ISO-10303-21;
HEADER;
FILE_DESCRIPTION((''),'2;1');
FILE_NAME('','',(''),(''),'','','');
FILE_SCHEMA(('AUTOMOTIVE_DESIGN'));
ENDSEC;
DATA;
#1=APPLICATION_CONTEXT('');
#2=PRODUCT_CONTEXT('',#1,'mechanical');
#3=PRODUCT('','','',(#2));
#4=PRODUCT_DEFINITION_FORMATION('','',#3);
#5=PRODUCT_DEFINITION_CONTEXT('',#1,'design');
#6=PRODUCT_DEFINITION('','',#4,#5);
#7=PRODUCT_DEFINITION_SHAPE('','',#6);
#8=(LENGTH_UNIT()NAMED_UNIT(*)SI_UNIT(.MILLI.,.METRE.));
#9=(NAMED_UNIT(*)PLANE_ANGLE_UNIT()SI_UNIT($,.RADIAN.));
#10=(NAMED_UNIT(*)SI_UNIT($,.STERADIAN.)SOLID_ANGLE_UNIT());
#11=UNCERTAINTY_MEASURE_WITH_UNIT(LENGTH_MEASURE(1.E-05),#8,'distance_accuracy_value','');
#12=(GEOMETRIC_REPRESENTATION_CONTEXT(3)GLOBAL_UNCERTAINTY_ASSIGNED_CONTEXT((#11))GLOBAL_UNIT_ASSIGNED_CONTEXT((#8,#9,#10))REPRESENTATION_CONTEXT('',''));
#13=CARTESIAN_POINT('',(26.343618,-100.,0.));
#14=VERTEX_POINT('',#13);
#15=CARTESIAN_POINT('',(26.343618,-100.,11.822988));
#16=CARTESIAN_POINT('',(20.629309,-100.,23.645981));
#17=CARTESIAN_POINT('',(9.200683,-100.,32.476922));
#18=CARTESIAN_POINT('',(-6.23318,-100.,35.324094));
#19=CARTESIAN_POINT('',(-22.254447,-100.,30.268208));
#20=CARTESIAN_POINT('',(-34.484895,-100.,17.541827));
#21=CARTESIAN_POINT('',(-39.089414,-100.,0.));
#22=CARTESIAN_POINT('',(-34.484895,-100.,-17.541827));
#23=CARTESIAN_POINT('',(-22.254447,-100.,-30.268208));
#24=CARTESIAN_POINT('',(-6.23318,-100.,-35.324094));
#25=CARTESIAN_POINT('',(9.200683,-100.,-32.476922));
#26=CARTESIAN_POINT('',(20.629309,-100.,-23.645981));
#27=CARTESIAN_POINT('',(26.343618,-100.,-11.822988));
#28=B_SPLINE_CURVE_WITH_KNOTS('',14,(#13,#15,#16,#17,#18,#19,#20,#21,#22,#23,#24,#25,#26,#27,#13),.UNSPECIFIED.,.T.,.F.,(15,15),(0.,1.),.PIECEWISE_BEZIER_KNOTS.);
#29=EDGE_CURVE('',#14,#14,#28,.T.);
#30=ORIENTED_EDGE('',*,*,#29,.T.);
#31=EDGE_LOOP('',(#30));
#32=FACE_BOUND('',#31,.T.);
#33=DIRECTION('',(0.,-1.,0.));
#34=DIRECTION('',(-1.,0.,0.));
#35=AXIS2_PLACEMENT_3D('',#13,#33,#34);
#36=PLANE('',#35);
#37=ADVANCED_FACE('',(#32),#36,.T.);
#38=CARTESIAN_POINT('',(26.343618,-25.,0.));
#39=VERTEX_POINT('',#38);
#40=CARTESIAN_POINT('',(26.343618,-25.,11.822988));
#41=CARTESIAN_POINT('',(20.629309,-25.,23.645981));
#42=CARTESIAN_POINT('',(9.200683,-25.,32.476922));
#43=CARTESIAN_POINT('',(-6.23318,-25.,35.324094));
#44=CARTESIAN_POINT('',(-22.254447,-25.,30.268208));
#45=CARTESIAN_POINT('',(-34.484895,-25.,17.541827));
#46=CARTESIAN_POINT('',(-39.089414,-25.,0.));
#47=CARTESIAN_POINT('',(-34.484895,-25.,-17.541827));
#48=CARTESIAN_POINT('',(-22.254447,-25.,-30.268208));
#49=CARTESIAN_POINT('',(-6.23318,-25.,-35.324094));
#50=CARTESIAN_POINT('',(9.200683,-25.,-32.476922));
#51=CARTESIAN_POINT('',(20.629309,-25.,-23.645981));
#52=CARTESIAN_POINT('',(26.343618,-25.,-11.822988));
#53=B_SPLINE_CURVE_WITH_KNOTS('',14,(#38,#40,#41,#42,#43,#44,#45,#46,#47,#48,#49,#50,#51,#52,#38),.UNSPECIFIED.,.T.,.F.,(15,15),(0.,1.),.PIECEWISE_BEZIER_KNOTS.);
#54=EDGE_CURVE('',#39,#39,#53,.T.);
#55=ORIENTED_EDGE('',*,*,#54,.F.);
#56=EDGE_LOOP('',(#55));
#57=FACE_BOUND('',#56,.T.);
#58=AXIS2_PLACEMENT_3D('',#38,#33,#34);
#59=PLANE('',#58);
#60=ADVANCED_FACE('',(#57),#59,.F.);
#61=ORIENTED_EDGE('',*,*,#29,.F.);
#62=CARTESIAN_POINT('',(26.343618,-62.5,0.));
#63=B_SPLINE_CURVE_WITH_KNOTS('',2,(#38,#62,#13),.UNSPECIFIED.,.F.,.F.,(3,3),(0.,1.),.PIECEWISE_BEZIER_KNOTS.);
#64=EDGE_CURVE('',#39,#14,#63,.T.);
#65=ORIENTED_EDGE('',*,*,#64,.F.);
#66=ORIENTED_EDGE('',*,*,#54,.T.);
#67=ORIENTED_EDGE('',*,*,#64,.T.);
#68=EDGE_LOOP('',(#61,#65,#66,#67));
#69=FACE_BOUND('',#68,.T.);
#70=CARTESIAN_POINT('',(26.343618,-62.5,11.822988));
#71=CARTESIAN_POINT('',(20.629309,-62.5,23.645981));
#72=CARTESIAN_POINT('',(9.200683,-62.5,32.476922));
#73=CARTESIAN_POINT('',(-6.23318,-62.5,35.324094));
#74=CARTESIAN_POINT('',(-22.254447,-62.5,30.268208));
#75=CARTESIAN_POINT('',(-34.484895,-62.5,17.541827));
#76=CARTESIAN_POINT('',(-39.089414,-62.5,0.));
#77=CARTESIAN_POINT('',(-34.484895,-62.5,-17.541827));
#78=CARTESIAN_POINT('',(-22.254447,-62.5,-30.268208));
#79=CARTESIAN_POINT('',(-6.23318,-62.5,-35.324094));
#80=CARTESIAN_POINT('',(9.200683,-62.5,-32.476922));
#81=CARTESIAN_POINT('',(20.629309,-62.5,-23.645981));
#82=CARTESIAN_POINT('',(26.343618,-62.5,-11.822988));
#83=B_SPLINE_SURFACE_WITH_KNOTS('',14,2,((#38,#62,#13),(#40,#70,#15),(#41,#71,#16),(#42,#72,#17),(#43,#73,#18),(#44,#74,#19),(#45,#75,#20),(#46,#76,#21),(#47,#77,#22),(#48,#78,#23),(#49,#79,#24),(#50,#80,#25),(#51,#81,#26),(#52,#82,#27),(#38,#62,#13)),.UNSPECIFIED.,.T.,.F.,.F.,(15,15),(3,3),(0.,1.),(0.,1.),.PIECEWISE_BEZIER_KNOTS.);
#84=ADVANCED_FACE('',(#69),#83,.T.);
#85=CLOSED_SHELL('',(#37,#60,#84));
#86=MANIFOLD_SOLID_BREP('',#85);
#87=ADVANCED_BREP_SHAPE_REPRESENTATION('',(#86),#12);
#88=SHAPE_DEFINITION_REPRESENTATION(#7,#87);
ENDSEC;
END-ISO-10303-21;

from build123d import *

# Parameters (mm, degrees)
F9_R = 26.343618
F8_R = 26.343618
F7_R = 26.343618
F6_R = 26.343618


with BuildPart() as f10:
    # F9 (on offset) → F10 section 0
    with BuildSketch(Plane.XZ.offset(25)):
        Circle(F9_R)
    # F8 (on offset) → F10 section 1
    with BuildSketch(Plane.XZ.offset(50)):
        Circle(F8_R)
    # F7 (on offset) → F10 section 2
    with BuildSketch(Plane.XZ.offset(75)):
        Circle(F7_R)
    # F6 (on offset) → F10 section 3
    with BuildSketch(Plane.XZ.offset(100)):
        Circle(F6_R)
    loft()


solid = f10.part
